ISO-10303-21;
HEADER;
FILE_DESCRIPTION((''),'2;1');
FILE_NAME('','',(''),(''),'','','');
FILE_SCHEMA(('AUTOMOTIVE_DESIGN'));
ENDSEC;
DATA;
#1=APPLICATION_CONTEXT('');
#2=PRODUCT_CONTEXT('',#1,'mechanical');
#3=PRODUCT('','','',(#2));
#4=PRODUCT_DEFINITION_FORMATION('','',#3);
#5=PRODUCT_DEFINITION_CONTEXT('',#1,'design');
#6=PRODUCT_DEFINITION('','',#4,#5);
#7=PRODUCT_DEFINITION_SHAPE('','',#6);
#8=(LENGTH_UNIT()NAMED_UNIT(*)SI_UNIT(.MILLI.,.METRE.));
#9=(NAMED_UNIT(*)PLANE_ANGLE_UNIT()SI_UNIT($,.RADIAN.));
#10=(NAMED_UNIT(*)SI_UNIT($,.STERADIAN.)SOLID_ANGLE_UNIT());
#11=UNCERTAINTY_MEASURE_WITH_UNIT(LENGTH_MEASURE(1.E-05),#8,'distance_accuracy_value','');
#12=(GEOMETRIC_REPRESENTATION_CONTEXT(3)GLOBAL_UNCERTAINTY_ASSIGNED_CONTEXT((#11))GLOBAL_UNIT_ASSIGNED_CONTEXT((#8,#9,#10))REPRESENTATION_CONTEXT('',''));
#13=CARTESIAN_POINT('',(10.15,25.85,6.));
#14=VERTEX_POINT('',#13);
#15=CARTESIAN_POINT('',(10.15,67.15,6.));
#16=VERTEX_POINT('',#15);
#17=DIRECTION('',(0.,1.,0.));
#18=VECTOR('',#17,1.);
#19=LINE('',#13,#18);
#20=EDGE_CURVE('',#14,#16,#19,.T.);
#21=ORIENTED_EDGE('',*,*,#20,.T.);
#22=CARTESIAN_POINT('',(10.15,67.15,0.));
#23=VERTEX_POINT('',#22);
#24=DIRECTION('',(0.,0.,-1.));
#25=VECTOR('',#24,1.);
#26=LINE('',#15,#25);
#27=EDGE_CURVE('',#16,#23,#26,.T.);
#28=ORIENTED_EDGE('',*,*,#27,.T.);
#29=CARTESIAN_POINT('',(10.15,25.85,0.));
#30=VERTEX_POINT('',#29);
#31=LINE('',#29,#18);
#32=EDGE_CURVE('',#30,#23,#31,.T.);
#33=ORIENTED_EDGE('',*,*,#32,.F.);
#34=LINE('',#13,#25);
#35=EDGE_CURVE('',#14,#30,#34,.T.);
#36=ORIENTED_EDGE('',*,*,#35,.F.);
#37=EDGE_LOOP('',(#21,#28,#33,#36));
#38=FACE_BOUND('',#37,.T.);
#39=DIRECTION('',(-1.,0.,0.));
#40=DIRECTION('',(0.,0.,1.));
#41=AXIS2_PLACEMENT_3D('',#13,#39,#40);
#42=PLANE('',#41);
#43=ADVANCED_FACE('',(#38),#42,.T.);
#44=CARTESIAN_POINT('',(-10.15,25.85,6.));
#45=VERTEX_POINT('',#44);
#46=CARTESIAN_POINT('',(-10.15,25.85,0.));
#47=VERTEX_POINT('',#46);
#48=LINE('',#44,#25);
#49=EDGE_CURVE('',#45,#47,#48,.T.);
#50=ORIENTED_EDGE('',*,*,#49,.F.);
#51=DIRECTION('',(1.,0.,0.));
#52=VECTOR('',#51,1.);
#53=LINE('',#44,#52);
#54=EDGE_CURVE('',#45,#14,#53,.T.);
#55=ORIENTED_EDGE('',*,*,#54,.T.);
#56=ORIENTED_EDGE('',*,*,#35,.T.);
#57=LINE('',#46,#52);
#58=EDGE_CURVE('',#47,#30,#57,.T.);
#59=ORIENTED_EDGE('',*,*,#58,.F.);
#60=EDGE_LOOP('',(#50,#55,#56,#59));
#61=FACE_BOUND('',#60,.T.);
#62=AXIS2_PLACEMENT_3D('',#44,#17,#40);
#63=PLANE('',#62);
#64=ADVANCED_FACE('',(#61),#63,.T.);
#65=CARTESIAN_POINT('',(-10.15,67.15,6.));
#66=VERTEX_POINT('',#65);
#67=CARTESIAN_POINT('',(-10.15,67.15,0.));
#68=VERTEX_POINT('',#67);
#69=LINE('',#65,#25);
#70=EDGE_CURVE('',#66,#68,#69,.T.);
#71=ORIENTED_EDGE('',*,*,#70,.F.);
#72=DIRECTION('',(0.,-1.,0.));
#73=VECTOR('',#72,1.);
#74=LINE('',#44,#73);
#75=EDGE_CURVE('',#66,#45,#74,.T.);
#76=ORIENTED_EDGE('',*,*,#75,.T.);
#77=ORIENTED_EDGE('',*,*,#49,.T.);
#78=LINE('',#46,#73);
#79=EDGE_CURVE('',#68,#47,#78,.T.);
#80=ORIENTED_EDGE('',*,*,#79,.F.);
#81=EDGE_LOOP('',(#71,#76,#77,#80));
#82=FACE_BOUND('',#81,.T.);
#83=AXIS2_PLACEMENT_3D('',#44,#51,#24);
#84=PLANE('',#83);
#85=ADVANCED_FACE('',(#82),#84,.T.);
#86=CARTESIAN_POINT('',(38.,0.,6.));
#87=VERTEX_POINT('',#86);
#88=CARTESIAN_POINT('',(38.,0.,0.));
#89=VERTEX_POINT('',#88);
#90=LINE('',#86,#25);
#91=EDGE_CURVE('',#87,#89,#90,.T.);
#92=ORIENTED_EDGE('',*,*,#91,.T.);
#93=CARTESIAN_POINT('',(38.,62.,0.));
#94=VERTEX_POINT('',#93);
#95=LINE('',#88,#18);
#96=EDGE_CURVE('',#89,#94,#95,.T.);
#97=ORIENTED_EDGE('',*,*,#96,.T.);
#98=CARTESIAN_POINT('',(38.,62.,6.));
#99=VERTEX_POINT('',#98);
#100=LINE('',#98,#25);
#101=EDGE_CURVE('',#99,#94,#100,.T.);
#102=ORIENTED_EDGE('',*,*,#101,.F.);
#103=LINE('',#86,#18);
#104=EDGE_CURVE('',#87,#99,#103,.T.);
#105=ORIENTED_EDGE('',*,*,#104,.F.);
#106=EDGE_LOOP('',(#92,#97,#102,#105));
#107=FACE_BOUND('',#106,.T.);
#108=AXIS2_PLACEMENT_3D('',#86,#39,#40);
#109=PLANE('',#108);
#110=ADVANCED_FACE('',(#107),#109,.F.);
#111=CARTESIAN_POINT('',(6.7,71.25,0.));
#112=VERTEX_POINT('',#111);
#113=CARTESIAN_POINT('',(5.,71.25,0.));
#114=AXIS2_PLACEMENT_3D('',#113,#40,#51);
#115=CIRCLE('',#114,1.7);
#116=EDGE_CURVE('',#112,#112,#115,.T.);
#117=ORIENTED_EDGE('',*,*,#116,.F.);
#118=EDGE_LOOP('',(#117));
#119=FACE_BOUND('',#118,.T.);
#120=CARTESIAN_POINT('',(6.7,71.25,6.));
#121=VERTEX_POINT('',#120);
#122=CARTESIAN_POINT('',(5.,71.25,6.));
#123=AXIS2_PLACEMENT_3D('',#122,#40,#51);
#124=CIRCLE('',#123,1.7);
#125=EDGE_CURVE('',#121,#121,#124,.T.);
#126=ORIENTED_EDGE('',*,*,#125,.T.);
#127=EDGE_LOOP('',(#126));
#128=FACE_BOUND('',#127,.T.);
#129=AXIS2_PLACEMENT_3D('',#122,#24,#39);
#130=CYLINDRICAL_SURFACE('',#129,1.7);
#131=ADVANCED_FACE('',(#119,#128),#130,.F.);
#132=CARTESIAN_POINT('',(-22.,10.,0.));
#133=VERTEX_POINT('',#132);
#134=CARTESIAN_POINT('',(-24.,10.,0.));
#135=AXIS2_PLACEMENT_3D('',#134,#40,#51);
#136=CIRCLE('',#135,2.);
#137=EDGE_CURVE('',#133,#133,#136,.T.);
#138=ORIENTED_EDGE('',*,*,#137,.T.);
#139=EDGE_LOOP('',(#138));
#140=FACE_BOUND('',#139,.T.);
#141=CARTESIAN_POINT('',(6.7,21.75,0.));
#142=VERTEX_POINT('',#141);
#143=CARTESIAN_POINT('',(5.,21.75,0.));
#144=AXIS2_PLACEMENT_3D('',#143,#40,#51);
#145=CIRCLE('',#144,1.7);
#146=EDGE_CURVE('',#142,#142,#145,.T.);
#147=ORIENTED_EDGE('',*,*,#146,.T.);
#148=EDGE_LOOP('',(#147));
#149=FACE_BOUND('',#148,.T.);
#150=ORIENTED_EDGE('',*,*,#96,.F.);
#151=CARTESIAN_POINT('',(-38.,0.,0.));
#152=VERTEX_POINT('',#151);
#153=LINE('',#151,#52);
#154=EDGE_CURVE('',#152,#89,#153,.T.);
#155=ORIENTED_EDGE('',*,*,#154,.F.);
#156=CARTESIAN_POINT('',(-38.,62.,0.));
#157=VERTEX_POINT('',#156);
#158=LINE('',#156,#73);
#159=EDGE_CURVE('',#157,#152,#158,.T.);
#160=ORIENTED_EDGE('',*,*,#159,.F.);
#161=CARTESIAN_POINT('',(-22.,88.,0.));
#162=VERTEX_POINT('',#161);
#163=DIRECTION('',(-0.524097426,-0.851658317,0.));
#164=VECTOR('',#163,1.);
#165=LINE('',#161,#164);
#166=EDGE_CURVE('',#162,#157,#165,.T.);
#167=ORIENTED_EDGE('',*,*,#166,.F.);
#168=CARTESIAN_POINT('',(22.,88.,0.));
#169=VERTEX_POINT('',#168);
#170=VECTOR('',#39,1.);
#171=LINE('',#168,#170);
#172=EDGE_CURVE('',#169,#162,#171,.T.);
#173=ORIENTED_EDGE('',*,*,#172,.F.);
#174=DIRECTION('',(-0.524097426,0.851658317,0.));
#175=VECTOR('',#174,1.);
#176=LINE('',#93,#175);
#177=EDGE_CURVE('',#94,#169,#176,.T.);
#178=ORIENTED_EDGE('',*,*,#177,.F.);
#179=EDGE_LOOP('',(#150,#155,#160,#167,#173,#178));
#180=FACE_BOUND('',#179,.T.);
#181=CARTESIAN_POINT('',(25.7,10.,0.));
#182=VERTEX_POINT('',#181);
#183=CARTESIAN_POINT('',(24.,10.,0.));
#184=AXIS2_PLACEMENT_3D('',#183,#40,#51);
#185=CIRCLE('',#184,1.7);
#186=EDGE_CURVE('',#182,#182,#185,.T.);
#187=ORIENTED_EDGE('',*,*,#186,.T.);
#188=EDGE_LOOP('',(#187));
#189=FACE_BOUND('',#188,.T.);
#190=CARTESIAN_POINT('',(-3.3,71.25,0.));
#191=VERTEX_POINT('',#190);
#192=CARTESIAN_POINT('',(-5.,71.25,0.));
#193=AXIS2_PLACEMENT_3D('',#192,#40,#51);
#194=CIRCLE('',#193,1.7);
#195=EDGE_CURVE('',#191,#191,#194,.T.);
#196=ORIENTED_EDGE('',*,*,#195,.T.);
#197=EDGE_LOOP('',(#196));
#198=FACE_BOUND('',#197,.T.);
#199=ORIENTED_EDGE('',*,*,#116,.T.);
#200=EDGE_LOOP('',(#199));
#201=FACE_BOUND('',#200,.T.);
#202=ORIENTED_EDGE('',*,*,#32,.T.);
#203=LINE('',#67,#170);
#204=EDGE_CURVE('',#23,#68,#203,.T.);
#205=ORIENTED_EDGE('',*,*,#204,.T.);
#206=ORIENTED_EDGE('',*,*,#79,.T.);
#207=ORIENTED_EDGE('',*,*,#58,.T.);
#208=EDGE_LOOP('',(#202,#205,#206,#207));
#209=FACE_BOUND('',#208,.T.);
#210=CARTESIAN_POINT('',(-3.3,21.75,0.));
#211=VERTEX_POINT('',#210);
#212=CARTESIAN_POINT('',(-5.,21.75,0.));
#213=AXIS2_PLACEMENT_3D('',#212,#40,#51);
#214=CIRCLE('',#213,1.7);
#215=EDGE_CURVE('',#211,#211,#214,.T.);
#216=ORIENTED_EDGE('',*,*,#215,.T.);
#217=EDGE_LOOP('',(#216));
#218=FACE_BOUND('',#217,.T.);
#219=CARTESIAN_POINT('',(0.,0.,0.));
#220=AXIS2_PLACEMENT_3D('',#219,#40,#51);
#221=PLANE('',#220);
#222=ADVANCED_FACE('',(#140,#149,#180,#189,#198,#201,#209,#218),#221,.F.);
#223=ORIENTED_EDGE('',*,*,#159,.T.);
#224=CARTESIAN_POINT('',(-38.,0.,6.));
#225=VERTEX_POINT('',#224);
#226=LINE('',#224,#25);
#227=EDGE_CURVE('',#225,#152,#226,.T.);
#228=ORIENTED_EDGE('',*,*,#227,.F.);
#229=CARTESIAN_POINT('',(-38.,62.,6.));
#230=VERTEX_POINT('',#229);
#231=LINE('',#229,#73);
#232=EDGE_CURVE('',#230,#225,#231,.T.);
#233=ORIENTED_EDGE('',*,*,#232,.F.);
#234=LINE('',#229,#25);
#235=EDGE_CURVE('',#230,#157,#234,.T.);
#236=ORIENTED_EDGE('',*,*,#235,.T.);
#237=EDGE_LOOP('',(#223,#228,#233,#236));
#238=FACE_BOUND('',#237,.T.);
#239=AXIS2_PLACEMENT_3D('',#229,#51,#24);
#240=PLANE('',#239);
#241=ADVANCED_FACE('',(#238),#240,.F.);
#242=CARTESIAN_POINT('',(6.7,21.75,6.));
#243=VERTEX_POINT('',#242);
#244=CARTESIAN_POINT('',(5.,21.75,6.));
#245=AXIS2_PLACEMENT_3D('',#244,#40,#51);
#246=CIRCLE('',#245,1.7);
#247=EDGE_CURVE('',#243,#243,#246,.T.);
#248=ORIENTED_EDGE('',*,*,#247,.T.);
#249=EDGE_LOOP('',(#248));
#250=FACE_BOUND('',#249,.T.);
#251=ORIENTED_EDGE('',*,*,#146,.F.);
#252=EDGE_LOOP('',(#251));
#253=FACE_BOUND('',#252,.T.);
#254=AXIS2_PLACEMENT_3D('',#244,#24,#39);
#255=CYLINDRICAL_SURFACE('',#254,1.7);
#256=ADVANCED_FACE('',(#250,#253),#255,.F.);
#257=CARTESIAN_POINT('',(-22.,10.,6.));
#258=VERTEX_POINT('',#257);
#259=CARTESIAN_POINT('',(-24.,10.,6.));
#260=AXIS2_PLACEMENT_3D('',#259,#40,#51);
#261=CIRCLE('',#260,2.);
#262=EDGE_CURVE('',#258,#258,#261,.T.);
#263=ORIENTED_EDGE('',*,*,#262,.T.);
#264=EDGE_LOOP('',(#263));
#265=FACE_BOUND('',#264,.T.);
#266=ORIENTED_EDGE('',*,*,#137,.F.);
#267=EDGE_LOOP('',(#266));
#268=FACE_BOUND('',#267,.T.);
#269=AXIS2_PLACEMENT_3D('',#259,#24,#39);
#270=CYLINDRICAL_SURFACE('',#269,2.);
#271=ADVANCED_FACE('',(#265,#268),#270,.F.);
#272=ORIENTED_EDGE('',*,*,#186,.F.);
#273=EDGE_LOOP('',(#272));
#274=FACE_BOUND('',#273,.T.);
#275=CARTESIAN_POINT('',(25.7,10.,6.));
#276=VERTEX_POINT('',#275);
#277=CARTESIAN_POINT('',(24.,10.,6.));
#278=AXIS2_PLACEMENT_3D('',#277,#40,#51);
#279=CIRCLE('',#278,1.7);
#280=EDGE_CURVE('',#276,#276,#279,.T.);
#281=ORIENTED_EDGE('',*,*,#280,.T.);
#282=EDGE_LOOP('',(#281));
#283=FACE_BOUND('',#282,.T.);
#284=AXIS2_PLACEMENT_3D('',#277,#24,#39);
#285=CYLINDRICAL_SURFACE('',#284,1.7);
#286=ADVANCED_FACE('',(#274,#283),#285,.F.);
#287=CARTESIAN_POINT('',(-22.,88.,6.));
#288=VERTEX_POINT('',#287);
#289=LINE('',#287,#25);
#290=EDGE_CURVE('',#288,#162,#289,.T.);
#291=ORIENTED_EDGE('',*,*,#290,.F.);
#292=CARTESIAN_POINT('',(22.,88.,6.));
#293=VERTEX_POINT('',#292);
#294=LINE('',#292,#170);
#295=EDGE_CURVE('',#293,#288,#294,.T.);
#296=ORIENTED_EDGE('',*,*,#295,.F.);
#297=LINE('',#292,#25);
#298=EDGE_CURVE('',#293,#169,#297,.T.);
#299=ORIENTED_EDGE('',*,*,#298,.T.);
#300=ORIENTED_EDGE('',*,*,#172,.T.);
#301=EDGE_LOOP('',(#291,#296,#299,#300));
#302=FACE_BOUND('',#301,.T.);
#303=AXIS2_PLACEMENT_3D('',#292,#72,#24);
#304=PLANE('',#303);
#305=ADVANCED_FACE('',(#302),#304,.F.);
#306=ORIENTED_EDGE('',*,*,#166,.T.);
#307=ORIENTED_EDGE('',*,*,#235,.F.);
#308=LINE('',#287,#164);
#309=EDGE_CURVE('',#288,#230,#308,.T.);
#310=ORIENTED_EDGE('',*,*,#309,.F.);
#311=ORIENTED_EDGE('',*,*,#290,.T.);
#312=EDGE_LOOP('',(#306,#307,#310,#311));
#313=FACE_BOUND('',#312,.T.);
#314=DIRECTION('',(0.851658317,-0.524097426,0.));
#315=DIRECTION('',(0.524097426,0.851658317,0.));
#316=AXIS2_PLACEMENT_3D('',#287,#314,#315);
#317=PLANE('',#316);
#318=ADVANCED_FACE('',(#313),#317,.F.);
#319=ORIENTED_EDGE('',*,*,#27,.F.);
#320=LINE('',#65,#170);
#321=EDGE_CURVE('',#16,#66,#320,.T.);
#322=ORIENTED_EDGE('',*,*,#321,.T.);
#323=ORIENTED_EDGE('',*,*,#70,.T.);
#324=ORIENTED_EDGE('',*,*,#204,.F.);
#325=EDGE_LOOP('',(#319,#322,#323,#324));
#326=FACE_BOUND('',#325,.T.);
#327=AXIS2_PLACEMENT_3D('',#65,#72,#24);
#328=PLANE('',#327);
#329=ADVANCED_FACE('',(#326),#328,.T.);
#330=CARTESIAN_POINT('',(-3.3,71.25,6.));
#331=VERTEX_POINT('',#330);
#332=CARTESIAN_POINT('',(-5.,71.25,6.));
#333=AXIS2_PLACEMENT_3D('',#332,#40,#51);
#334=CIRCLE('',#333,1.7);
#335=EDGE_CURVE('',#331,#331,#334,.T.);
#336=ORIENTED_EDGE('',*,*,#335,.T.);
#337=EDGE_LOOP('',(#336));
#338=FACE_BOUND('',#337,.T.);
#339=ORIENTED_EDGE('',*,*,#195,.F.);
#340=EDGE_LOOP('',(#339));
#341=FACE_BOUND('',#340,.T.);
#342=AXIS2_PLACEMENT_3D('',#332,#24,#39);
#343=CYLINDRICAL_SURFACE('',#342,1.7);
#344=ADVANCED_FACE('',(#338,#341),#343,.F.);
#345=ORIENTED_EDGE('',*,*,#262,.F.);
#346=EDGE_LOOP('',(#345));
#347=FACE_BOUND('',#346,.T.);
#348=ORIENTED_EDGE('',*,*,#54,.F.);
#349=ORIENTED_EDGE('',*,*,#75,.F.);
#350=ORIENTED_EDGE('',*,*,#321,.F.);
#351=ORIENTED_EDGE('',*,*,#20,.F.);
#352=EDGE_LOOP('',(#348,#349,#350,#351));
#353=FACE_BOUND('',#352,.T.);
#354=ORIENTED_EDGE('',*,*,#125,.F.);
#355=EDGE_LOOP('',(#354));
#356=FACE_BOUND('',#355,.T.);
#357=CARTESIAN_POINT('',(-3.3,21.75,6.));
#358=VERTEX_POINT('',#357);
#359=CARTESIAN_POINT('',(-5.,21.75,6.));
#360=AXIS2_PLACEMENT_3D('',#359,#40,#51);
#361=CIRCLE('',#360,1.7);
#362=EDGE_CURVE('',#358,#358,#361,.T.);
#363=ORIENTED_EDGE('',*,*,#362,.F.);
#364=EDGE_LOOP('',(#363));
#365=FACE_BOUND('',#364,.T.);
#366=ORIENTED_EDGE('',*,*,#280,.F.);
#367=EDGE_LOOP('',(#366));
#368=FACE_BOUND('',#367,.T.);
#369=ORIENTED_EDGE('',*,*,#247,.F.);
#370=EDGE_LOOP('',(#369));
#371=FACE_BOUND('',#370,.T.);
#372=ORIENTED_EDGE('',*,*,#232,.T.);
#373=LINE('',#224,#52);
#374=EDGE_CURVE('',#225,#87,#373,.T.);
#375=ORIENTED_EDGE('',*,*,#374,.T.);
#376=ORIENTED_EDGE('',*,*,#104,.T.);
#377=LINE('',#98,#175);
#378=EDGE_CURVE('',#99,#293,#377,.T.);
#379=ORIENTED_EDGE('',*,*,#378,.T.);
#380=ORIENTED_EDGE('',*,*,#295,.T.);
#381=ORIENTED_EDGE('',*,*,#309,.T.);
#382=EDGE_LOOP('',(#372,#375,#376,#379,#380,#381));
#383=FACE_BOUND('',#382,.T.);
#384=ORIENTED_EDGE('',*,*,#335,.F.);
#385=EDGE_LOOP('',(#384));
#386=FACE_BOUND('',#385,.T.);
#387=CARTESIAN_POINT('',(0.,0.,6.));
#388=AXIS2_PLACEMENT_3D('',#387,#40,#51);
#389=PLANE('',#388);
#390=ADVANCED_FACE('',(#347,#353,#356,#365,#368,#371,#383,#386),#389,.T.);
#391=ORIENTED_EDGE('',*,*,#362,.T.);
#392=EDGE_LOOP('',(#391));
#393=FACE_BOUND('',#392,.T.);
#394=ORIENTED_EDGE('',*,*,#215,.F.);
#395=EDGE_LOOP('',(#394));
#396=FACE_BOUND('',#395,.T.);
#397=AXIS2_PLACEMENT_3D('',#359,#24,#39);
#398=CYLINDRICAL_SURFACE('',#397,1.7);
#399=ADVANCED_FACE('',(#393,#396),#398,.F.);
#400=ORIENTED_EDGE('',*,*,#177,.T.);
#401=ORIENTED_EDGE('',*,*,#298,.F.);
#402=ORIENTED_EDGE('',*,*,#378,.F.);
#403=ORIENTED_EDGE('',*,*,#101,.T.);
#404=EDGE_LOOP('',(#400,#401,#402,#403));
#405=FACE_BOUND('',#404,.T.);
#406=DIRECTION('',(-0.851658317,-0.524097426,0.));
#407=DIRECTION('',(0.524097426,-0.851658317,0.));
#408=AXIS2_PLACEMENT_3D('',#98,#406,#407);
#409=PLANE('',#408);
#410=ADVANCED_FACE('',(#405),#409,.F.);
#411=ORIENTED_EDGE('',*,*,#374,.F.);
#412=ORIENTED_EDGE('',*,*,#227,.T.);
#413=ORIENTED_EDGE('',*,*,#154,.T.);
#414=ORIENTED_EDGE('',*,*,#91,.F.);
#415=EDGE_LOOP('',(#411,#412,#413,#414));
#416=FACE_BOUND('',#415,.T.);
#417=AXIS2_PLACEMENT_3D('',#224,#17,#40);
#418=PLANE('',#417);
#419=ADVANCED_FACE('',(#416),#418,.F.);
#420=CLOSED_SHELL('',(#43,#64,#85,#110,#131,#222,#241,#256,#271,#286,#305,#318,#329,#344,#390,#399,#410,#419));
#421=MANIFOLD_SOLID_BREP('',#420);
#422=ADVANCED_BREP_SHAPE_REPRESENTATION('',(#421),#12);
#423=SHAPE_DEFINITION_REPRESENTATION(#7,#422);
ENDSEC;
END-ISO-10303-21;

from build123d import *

# Parameters (mm, degrees)
SKETCH_1_R                  = 1.7
SKETCH_1_R_2                = 2
SKETCH_1_W                  = 20.3
SKETCH_1_H                  = 41.3
F_07_TILT_DRIVE_CHEEK_DEPTH = 6


with BuildPart() as part:
    # Эскиз1 → 07_Tilt_drive_cheek (new body)
    with BuildSketch(Plane.XY):
        Polygon((-38, 0), (38, 0), (38, 62), (22, 88), (-22, 88), (-38, 62), align=None)
        with Locations((-5, 21.75)):
            Circle(SKETCH_1_R, mode=Mode.SUBTRACT)
        with Locations((-5, 71.25)):
            Circle(SKETCH_1_R, mode=Mode.SUBTRACT)
        with Locations((5, 21.75)):
            Circle(SKETCH_1_R, mode=Mode.SUBTRACT)
        with Locations((5, 71.25)):
            Circle(SKETCH_1_R, mode=Mode.SUBTRACT)
        with Locations((-24, 10)):
            Circle(SKETCH_1_R_2, mode=Mode.SUBTRACT)
        with Locations((24, 10)):
            Circle(SKETCH_1_R, mode=Mode.SUBTRACT)
        with Locations((0, 46.5)):
            Rectangle(SKETCH_1_W, SKETCH_1_H, mode=Mode.SUBTRACT)
    extrude(amount=F_07_TILT_DRIVE_CHEEK_DEPTH)


solid = part.part
